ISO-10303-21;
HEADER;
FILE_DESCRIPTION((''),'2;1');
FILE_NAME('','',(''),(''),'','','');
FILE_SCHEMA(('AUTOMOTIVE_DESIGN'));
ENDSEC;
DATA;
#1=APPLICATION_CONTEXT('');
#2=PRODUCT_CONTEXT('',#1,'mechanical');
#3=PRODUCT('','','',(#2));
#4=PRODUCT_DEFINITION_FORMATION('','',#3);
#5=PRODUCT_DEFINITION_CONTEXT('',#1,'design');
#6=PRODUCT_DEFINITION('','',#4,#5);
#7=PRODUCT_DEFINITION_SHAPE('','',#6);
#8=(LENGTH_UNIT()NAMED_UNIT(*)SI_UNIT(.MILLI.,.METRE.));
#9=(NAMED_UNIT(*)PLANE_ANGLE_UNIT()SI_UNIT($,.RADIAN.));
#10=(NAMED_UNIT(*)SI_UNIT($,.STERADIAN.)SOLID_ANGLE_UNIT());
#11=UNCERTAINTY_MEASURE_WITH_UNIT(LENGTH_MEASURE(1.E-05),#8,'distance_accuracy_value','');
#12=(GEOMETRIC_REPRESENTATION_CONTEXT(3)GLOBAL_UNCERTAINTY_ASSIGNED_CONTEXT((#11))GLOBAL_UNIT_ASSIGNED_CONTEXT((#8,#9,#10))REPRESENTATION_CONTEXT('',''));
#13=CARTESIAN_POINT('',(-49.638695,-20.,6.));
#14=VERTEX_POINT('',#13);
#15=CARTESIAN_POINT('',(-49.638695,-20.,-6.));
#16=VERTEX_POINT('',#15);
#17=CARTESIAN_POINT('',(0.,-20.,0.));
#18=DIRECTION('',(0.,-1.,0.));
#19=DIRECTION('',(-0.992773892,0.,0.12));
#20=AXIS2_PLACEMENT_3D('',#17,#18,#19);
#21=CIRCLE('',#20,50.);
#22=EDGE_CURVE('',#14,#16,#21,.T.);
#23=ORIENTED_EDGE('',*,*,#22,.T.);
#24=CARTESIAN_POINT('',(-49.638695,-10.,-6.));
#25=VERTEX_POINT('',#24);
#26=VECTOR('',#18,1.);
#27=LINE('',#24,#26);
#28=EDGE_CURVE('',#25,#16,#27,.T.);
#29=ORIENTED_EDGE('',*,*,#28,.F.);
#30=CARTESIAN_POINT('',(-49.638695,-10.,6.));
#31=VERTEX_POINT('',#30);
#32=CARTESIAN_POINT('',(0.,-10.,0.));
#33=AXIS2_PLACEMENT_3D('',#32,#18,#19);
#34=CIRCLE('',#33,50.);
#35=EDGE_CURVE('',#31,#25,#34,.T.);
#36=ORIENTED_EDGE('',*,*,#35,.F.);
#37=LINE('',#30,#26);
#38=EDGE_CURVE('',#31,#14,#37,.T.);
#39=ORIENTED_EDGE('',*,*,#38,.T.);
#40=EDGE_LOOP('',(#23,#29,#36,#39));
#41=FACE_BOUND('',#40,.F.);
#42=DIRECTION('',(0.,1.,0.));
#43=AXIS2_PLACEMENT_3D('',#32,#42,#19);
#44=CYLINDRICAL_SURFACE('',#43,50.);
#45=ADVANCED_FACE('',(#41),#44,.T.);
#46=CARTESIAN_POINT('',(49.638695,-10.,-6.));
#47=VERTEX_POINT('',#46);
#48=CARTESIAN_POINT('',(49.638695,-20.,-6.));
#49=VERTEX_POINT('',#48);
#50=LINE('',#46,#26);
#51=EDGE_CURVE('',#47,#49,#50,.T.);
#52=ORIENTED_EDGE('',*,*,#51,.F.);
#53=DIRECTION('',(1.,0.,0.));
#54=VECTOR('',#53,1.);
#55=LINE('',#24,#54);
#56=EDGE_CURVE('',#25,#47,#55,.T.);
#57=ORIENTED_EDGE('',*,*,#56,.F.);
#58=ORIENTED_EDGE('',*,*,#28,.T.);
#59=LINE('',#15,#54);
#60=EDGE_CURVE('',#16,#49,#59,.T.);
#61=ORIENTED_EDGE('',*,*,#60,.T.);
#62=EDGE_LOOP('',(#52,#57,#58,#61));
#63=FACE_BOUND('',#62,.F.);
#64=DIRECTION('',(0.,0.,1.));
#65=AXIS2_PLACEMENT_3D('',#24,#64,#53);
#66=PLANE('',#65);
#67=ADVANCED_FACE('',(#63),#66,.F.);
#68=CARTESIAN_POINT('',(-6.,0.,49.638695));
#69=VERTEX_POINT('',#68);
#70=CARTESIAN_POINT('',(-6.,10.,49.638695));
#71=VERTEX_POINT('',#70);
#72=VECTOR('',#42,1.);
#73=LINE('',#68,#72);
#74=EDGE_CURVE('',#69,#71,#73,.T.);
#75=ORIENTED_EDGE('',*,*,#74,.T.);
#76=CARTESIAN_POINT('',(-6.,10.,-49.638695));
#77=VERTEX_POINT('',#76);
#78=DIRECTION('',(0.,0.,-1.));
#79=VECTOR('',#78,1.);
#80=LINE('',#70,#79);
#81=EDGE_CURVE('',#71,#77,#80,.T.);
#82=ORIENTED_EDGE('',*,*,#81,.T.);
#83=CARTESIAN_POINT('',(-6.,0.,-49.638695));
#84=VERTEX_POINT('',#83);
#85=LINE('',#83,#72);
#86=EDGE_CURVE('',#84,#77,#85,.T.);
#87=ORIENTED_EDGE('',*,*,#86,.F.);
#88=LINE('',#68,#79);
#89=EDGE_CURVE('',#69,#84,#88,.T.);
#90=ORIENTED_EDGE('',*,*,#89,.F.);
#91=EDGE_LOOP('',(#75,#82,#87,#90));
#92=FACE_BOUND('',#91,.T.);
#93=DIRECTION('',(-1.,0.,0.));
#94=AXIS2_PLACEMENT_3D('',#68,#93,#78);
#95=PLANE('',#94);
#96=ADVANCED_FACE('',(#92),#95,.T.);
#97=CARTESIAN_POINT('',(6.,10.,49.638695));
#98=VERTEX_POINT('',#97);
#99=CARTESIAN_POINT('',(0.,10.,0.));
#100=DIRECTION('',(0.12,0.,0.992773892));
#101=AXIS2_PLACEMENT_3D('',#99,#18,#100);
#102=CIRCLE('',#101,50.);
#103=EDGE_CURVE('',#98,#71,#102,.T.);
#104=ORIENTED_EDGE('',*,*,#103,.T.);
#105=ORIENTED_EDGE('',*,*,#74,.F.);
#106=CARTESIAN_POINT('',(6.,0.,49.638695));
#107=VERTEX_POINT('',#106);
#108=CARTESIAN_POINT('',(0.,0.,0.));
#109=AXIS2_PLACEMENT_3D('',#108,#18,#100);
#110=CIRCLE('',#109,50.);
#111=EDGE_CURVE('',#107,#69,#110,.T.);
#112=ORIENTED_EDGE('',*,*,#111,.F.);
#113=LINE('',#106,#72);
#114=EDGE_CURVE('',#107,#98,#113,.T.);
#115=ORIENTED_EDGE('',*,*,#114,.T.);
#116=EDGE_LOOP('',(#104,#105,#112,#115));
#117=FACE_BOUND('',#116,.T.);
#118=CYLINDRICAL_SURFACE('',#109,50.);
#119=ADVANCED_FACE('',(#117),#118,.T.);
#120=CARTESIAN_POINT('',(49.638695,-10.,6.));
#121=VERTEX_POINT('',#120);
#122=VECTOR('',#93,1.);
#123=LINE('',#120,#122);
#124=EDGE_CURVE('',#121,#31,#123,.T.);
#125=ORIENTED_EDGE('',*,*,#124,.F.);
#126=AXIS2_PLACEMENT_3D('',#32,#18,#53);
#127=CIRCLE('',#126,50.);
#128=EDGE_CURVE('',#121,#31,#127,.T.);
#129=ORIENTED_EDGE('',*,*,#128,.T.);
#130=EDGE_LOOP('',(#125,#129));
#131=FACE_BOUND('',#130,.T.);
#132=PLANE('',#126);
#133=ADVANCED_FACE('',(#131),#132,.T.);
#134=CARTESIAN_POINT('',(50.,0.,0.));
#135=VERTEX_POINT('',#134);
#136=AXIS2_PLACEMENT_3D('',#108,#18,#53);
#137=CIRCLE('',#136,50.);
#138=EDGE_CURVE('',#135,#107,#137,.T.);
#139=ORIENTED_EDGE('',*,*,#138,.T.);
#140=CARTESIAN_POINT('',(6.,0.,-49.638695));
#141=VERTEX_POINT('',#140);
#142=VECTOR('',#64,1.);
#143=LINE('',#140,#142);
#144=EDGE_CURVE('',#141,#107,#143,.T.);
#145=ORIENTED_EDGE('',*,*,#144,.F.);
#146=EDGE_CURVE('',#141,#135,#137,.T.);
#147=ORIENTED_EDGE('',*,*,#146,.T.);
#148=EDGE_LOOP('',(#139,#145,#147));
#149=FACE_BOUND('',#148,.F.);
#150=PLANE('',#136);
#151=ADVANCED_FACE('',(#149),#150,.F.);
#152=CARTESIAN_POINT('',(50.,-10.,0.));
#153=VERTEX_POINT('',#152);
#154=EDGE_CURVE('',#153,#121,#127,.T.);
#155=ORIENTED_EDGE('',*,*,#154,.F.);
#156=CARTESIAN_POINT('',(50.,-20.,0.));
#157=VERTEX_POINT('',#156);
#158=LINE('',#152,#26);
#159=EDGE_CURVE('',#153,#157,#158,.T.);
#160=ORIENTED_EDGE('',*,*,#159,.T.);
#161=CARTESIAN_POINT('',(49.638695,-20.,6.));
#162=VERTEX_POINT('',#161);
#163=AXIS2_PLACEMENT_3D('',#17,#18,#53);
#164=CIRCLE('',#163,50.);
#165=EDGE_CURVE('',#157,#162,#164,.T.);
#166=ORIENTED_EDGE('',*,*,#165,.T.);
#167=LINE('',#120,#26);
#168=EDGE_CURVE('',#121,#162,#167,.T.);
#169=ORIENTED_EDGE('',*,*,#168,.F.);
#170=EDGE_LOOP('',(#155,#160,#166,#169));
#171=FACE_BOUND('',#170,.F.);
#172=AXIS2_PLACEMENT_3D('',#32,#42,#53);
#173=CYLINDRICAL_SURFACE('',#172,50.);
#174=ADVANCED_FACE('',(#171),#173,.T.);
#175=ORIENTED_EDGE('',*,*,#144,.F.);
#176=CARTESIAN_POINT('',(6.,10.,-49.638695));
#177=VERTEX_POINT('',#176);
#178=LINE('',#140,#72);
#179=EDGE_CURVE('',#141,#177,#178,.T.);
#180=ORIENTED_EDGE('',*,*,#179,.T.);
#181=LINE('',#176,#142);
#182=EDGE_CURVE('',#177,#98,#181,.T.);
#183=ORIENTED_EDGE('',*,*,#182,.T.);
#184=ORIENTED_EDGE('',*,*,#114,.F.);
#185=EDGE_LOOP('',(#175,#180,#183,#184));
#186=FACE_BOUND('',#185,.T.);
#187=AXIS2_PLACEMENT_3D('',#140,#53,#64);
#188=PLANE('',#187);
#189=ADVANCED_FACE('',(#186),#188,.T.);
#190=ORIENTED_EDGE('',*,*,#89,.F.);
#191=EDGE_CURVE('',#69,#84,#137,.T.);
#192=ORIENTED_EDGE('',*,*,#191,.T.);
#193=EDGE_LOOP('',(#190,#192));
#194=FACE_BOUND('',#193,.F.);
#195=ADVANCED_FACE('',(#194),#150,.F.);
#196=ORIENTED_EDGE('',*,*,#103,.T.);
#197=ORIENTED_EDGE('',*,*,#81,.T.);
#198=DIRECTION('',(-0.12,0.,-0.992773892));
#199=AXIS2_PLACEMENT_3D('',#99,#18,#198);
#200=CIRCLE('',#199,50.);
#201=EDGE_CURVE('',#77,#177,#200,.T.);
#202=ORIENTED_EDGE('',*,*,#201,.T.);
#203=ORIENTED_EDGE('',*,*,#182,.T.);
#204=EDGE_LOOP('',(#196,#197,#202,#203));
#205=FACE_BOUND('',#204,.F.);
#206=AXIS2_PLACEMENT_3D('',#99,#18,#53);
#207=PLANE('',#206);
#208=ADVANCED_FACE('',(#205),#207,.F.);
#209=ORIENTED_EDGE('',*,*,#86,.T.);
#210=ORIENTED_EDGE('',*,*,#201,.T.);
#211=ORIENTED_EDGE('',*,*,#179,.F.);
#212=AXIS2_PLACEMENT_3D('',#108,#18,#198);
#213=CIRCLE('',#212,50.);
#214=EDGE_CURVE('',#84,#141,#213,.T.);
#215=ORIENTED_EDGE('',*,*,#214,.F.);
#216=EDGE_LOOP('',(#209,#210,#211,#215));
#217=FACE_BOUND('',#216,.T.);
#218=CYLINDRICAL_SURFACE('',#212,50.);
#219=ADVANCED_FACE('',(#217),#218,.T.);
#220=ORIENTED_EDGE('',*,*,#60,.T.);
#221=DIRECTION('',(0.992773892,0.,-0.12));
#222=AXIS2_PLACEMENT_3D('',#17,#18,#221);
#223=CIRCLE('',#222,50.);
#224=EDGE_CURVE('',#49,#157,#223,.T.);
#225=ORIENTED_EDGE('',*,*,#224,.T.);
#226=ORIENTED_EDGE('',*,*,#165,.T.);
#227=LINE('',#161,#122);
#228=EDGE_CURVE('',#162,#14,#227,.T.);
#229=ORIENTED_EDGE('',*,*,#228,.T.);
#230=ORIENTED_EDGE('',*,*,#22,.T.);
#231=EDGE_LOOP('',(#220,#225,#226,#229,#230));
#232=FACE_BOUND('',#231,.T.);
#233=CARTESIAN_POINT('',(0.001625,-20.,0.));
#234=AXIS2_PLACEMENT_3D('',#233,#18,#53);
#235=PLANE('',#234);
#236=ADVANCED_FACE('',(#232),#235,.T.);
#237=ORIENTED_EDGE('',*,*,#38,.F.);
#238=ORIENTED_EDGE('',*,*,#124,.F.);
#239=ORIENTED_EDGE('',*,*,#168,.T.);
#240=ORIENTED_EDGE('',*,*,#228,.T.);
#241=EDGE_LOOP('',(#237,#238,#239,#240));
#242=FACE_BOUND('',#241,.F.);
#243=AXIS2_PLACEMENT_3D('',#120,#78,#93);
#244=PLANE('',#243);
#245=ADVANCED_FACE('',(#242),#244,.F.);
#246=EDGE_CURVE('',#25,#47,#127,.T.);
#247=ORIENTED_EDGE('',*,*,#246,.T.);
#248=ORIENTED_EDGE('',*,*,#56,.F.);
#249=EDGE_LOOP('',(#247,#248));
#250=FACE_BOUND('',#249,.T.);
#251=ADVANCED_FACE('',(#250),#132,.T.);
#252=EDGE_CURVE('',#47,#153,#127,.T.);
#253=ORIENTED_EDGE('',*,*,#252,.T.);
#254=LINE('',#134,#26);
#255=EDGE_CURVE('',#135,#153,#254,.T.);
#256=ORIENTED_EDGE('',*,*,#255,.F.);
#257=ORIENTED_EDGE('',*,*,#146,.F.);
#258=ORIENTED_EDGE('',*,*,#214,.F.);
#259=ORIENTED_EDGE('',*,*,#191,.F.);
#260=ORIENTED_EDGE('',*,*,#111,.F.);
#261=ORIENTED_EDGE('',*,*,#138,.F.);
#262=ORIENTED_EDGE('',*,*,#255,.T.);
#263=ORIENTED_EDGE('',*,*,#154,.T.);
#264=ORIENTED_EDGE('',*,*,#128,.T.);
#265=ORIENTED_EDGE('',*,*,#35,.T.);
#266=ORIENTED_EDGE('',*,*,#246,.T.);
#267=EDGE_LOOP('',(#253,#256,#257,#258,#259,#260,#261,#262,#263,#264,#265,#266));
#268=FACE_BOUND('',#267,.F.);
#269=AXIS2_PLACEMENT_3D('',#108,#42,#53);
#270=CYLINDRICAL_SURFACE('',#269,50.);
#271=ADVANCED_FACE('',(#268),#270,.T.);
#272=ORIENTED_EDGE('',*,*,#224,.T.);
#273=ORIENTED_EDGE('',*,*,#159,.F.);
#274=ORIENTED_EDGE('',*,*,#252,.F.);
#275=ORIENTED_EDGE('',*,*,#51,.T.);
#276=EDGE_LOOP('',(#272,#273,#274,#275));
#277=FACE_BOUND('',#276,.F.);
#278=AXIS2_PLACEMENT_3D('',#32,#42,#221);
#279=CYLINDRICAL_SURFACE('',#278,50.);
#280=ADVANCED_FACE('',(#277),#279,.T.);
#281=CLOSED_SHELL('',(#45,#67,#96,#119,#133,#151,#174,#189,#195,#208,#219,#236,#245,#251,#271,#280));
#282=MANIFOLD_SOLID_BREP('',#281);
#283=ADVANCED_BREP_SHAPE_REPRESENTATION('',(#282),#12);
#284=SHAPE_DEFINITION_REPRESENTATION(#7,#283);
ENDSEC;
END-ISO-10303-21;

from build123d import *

# Parameters (mm, degrees)
F0_R     = 50
F1_DEPTH = 10
F3_DEPTH = 10
F5_DEPTH = 10


with BuildPart() as f1:
    # F0 (on Front) → F1 (new body)
    with BuildSketch(Plane.XZ):
        Circle(F0_R)
    extrude(amount=F1_DEPTH)

    # F2 (on face) → F3 (join)
    with BuildSketch(Plane.XZ.offset(10)):
        with BuildLine():
            Line((49.638694584, 6), (-49.638694584, 6))
            ThreePointArc((-49.638694584, 6), (-50, 0), (-49.638694584, -6))
            Line((-49.638694584, -6), (49.638694584, -6))
            ThreePointArc((49.638694584, -6), (49.9095919098, -3.0054343115), (50, 0))
            ThreePointArc((50, 0), (49.9095919098, 3.0054343115), (49.638694584, 6))
        make_face()
    extrude(amount=F3_DEPTH)

    # F4 (on Front) → F5 (join)
    with BuildSketch(Plane.XZ):
        with BuildLine():
            Line((6, -49.638694584), (6, 49.638694584))
            ThreePointArc((6, 49.638694584), (0, 50), (-6, 49.638694584))
            Line((-6, 49.638694584), (-6, -49.638694584))
            ThreePointArc((-6, -49.638694584), (0, -50), (6, -49.638694584))
        make_face()
    extrude(amount=-F5_DEPTH)


solid = f1.part
